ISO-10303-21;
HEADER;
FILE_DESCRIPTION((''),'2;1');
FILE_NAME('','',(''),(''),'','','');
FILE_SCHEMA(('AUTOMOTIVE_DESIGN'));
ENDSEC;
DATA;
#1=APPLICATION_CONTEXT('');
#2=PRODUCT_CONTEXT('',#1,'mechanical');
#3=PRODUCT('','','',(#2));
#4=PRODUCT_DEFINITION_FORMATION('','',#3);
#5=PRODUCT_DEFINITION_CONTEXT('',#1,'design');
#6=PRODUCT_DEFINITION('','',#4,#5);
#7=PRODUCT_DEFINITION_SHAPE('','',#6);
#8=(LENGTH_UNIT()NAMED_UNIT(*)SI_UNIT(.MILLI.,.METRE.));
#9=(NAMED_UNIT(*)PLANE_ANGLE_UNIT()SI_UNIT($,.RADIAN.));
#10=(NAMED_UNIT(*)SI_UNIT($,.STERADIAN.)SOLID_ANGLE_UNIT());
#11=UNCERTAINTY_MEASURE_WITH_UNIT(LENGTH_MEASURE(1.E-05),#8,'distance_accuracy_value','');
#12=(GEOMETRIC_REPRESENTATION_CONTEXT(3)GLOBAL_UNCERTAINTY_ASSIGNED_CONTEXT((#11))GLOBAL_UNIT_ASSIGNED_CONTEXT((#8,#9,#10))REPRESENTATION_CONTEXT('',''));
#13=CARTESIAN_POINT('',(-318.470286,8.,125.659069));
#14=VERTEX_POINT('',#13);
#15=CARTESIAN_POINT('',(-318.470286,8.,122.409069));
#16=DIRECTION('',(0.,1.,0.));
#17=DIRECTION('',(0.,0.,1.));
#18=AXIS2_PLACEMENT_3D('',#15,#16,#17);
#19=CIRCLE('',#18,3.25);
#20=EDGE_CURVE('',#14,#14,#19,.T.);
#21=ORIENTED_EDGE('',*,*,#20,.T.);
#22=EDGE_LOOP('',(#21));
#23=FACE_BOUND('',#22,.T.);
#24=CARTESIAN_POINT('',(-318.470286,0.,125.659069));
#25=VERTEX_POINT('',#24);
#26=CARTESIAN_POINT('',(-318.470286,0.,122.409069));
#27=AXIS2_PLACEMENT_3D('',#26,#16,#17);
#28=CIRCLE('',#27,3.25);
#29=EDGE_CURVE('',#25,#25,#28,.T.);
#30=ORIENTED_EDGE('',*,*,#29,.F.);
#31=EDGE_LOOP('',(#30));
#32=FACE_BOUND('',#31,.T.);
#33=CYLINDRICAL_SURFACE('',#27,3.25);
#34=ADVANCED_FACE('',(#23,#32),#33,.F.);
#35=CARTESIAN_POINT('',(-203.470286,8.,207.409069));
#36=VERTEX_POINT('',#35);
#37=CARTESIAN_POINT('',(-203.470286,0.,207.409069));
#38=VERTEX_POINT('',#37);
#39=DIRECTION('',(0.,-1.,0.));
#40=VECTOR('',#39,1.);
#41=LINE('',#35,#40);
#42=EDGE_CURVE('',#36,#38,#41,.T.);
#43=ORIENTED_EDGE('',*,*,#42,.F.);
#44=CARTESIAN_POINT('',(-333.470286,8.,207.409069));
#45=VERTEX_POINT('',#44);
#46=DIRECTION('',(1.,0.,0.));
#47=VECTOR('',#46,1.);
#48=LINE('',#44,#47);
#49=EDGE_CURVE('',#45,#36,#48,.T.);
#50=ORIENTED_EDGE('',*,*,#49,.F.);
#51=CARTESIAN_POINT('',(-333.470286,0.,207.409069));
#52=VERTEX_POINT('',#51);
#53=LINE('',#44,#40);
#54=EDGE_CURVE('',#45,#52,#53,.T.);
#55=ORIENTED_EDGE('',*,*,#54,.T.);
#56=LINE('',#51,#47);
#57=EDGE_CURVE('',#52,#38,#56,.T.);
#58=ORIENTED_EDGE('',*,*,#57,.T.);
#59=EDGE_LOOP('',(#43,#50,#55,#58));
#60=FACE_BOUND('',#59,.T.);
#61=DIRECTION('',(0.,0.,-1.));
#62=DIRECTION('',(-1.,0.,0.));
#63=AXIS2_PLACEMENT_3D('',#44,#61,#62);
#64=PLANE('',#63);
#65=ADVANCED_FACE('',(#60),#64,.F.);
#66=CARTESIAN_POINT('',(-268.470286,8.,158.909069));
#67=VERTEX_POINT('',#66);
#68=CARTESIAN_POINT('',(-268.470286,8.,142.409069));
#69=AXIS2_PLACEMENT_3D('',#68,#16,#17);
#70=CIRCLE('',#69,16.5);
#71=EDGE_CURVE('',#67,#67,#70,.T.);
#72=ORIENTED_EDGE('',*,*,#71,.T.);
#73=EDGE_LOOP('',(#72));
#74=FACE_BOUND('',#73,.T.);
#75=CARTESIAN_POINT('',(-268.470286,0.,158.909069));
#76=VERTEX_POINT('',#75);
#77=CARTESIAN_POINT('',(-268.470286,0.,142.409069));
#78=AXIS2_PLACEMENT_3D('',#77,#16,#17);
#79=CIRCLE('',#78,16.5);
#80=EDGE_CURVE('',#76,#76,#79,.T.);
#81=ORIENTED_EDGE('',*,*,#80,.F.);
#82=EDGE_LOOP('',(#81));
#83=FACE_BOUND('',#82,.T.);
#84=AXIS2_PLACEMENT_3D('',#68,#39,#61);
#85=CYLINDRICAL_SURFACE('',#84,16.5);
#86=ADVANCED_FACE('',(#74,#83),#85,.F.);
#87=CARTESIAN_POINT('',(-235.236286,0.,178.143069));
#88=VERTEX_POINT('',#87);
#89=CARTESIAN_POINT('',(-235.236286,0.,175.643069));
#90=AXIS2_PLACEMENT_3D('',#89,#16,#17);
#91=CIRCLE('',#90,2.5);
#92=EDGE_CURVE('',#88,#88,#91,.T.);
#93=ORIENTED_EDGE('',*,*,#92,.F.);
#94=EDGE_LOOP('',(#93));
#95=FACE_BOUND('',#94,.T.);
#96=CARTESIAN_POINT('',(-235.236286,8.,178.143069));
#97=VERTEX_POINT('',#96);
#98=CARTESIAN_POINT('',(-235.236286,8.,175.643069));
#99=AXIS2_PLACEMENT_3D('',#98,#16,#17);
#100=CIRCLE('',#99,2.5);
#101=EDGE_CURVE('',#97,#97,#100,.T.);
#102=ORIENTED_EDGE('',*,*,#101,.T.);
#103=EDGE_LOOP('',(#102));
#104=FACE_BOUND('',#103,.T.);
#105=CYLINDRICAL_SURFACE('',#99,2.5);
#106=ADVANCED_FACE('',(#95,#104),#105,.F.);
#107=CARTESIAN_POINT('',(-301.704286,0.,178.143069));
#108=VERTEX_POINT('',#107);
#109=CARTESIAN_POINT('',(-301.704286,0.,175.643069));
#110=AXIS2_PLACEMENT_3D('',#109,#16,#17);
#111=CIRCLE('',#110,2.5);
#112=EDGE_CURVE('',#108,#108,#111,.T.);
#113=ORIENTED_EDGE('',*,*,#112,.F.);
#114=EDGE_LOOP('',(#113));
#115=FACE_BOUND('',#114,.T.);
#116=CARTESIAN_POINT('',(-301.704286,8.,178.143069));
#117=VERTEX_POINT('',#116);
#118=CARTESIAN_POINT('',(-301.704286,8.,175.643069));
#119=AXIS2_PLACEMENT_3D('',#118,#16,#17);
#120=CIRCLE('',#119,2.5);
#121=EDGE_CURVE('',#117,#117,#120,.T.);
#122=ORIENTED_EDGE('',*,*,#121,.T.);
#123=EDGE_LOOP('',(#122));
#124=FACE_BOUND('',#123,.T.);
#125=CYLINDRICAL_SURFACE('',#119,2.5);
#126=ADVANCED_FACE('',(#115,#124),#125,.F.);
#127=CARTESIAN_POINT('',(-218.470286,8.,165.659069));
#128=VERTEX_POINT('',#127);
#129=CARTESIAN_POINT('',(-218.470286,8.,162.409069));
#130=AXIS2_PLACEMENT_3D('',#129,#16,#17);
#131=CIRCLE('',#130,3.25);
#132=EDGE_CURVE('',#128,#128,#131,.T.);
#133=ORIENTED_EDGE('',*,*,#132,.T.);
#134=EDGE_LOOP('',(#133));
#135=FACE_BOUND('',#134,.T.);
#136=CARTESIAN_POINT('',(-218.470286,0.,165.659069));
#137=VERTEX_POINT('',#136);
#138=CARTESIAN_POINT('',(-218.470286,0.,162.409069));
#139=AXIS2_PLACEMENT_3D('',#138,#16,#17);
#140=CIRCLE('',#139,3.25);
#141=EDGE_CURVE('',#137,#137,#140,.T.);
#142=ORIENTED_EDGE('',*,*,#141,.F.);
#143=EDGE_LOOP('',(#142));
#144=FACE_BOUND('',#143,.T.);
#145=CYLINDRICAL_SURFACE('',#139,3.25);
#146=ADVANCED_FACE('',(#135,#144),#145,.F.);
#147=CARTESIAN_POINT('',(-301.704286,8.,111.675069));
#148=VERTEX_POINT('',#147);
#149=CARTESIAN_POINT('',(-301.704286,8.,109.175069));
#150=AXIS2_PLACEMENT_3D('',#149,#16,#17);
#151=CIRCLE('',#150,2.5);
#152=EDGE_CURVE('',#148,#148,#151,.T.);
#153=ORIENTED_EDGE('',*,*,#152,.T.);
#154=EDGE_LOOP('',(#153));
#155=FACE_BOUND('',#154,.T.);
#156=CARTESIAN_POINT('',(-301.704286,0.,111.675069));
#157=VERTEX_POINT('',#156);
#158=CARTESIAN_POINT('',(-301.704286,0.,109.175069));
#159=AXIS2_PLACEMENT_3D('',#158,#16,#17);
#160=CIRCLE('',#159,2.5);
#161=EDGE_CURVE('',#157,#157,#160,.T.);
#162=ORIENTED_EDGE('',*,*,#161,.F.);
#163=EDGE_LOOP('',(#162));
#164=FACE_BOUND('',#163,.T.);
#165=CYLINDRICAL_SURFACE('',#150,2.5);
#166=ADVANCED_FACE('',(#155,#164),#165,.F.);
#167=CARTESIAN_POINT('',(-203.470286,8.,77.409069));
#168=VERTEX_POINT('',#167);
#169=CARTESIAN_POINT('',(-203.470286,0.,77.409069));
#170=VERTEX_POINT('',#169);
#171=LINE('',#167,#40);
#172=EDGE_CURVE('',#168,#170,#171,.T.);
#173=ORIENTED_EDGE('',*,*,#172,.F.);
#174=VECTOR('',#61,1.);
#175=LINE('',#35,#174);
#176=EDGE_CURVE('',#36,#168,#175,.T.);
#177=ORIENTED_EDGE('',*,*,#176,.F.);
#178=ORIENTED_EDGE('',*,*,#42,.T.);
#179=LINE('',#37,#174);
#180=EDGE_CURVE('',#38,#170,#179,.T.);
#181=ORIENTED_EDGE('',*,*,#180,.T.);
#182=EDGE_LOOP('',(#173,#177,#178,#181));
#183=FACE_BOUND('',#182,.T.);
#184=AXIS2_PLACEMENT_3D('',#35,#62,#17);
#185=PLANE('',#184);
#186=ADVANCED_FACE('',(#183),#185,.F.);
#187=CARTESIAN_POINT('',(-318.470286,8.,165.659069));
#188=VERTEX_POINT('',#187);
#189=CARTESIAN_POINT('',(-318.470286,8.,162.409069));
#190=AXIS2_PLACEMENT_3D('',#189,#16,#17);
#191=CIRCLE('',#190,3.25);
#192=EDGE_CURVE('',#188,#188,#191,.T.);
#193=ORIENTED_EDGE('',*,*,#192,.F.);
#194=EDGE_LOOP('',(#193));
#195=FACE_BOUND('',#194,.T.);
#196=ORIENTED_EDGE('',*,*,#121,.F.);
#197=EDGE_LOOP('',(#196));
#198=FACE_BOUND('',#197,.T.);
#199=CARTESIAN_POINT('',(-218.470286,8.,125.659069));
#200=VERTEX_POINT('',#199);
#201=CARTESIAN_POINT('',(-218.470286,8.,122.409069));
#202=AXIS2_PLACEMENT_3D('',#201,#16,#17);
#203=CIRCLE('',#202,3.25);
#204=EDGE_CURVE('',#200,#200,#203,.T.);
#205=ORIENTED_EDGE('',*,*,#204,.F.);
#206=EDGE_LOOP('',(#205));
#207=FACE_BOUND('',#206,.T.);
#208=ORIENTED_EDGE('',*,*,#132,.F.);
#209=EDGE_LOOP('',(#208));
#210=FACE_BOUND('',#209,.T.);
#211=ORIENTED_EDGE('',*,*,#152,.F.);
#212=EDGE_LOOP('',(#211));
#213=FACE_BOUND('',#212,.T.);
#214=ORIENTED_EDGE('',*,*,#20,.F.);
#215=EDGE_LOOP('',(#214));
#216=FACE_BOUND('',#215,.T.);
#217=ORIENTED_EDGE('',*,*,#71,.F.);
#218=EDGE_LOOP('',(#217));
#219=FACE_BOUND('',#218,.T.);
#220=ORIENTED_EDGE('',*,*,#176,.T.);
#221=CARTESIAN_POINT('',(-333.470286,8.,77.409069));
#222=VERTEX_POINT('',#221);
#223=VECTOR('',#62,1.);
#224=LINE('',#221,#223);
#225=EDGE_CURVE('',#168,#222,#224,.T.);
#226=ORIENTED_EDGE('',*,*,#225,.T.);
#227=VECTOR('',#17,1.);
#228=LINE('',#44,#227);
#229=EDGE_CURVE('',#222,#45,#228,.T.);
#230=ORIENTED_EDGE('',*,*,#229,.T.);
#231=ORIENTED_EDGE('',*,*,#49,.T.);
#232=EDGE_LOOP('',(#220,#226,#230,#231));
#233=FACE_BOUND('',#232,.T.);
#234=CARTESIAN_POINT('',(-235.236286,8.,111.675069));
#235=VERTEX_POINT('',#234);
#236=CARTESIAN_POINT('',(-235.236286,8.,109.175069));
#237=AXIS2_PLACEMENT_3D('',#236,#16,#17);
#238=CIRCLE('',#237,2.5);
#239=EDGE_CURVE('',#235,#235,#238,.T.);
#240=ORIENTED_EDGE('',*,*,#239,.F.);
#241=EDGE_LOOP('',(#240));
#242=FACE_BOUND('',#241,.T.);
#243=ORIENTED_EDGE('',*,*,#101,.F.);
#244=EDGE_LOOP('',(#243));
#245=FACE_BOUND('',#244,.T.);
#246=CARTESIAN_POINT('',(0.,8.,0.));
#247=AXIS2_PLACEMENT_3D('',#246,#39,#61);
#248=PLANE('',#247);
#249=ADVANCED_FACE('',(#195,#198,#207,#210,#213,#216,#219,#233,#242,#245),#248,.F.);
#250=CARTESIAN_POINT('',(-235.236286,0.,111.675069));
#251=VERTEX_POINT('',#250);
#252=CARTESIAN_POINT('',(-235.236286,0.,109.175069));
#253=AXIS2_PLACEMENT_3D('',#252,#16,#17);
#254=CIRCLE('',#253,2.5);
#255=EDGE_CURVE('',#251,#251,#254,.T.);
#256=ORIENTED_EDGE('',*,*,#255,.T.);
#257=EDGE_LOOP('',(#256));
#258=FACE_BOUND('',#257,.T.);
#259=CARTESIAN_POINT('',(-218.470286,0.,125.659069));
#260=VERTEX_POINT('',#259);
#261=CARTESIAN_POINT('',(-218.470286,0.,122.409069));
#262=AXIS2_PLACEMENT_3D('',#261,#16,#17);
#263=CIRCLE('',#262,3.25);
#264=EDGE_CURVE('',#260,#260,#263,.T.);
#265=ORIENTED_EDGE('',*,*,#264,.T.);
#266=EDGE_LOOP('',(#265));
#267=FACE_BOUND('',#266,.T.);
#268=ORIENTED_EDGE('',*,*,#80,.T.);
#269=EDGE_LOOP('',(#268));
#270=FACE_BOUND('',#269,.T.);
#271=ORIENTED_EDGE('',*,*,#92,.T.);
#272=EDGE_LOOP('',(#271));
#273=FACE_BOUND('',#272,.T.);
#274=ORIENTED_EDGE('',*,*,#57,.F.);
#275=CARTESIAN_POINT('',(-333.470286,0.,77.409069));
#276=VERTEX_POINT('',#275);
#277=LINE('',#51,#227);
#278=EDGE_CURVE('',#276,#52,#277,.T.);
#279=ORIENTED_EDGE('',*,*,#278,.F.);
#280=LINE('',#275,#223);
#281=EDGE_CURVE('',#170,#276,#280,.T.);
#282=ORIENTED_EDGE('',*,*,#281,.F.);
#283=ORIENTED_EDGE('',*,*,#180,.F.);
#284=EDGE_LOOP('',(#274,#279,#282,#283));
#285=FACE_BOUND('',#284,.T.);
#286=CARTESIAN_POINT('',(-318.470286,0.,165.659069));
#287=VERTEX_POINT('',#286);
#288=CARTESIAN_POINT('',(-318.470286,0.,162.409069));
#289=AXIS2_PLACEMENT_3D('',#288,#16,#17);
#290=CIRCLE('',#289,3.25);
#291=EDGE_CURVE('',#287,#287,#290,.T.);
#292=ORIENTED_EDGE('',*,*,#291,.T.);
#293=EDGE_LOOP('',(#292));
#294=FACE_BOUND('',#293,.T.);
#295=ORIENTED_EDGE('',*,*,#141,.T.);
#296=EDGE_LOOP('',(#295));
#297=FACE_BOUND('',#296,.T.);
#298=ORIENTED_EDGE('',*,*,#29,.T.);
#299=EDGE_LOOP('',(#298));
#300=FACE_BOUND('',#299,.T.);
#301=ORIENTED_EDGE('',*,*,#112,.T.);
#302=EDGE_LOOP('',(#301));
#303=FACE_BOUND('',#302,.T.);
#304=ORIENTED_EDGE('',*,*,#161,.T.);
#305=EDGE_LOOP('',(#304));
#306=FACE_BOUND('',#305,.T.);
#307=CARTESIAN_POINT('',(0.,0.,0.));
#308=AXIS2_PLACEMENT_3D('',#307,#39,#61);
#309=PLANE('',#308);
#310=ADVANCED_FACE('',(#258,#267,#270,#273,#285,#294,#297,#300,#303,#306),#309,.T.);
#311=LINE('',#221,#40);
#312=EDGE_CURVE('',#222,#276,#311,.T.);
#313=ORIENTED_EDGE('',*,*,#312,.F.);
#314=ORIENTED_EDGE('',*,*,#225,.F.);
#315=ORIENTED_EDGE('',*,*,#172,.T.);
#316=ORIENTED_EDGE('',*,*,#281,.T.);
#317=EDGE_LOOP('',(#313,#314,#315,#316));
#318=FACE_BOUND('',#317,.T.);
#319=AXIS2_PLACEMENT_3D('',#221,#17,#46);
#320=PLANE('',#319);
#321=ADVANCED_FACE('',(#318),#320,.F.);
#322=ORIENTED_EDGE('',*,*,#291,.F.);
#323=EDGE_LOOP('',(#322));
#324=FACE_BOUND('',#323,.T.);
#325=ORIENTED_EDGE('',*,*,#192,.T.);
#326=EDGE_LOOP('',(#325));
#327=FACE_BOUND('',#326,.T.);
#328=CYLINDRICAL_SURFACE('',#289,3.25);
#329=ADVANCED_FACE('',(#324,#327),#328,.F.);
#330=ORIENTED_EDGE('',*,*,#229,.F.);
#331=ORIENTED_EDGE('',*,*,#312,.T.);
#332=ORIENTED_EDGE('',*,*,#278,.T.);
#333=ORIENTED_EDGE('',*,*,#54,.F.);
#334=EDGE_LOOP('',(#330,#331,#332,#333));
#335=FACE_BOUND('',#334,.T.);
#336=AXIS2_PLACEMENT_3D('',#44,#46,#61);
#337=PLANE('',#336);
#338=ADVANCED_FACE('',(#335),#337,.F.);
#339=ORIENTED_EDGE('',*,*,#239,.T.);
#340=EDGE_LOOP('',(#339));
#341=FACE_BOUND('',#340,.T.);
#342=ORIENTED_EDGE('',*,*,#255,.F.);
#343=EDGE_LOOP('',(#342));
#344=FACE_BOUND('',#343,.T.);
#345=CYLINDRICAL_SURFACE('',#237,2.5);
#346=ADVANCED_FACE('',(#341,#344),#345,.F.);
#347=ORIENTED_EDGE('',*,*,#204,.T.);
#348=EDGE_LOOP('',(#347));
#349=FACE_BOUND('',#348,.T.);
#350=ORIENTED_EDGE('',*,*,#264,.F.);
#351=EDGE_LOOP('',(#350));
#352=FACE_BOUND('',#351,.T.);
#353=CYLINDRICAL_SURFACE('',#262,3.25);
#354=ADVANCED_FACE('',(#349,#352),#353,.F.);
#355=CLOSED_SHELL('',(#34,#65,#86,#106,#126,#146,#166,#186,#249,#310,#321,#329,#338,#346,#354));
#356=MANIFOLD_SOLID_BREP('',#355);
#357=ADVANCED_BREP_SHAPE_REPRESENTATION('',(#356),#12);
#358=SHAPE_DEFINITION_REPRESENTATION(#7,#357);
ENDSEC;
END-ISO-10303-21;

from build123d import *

# Parameters (mm, degrees)
SKETCH1_W             = 130
SKETCH1_H             = 130
SKETCH1_R             = 16.5
BOSS_EXTRUDE1_DEPTH   = 8
SKETCH2_R             = 3.25
CUT_EXTRUDE1_DEPTH    = 393.791233964
M6X1_0_TAPPED_HOLE2_D = 5


with BuildPart() as part:
    # Sketch1 → Boss-Extrude1 (new body)
    with BuildSketch(Plane(origin=(0, 0, 0), x_dir=(1, 0, 0), z_dir=(0, 1, 0))):
        with Locations((-268.470286077, -142.40906871)):
            Rectangle(SKETCH1_W, SKETCH1_H)
        with Locations(Location((-268.470286077, -142.40906871, 0), (0, 0, 270))):
            Circle(SKETCH1_R, mode=Mode.SUBTRACT)
    extrude(amount=BOSS_EXTRUDE1_DEPTH)

    # Sketch2 → Cut-Extrude1 (cut, through all)
    with BuildSketch(Plane(origin=(0, 8, 0), x_dir=(1, 0, 0), z_dir=(0, 1, 0))):
        with Locations(Location((-318.470286077, -162.40906871, 0), (0, 0, 270))):
            Circle(SKETCH2_R)
        with Locations(Location((-318.470286077, -122.40906871, 0), (0, 0, 270))):
            Circle(SKETCH2_R)
        with Locations(Location((-218.470286077, -122.40906871, 0), (0, 0, 270))):
            Circle(SKETCH2_R)
        with Locations(Location((-218.470286077, -162.40906871, 0), (0, 0, 270))):
            Circle(SKETCH2_R)
    extrude(amount=-CUT_EXTRUDE1_DEPTH, mode=Mode.SUBTRACT)

    # M6x1.0 Tapped Hole2 (through all)
    with Locations(Plane(origin=(0, 8, 0), x_dir=(1, 0, 0), z_dir=(0, 1, 0))):
        with Locations((-301.704286077, -109.17506871), (-235.236286077, -109.17506871), (-235.236286077, -175.64306871), (-301.704286077, -175.64306871)):
            Hole(M6X1_0_TAPPED_HOLE2_D / 2)


solid = part.part
